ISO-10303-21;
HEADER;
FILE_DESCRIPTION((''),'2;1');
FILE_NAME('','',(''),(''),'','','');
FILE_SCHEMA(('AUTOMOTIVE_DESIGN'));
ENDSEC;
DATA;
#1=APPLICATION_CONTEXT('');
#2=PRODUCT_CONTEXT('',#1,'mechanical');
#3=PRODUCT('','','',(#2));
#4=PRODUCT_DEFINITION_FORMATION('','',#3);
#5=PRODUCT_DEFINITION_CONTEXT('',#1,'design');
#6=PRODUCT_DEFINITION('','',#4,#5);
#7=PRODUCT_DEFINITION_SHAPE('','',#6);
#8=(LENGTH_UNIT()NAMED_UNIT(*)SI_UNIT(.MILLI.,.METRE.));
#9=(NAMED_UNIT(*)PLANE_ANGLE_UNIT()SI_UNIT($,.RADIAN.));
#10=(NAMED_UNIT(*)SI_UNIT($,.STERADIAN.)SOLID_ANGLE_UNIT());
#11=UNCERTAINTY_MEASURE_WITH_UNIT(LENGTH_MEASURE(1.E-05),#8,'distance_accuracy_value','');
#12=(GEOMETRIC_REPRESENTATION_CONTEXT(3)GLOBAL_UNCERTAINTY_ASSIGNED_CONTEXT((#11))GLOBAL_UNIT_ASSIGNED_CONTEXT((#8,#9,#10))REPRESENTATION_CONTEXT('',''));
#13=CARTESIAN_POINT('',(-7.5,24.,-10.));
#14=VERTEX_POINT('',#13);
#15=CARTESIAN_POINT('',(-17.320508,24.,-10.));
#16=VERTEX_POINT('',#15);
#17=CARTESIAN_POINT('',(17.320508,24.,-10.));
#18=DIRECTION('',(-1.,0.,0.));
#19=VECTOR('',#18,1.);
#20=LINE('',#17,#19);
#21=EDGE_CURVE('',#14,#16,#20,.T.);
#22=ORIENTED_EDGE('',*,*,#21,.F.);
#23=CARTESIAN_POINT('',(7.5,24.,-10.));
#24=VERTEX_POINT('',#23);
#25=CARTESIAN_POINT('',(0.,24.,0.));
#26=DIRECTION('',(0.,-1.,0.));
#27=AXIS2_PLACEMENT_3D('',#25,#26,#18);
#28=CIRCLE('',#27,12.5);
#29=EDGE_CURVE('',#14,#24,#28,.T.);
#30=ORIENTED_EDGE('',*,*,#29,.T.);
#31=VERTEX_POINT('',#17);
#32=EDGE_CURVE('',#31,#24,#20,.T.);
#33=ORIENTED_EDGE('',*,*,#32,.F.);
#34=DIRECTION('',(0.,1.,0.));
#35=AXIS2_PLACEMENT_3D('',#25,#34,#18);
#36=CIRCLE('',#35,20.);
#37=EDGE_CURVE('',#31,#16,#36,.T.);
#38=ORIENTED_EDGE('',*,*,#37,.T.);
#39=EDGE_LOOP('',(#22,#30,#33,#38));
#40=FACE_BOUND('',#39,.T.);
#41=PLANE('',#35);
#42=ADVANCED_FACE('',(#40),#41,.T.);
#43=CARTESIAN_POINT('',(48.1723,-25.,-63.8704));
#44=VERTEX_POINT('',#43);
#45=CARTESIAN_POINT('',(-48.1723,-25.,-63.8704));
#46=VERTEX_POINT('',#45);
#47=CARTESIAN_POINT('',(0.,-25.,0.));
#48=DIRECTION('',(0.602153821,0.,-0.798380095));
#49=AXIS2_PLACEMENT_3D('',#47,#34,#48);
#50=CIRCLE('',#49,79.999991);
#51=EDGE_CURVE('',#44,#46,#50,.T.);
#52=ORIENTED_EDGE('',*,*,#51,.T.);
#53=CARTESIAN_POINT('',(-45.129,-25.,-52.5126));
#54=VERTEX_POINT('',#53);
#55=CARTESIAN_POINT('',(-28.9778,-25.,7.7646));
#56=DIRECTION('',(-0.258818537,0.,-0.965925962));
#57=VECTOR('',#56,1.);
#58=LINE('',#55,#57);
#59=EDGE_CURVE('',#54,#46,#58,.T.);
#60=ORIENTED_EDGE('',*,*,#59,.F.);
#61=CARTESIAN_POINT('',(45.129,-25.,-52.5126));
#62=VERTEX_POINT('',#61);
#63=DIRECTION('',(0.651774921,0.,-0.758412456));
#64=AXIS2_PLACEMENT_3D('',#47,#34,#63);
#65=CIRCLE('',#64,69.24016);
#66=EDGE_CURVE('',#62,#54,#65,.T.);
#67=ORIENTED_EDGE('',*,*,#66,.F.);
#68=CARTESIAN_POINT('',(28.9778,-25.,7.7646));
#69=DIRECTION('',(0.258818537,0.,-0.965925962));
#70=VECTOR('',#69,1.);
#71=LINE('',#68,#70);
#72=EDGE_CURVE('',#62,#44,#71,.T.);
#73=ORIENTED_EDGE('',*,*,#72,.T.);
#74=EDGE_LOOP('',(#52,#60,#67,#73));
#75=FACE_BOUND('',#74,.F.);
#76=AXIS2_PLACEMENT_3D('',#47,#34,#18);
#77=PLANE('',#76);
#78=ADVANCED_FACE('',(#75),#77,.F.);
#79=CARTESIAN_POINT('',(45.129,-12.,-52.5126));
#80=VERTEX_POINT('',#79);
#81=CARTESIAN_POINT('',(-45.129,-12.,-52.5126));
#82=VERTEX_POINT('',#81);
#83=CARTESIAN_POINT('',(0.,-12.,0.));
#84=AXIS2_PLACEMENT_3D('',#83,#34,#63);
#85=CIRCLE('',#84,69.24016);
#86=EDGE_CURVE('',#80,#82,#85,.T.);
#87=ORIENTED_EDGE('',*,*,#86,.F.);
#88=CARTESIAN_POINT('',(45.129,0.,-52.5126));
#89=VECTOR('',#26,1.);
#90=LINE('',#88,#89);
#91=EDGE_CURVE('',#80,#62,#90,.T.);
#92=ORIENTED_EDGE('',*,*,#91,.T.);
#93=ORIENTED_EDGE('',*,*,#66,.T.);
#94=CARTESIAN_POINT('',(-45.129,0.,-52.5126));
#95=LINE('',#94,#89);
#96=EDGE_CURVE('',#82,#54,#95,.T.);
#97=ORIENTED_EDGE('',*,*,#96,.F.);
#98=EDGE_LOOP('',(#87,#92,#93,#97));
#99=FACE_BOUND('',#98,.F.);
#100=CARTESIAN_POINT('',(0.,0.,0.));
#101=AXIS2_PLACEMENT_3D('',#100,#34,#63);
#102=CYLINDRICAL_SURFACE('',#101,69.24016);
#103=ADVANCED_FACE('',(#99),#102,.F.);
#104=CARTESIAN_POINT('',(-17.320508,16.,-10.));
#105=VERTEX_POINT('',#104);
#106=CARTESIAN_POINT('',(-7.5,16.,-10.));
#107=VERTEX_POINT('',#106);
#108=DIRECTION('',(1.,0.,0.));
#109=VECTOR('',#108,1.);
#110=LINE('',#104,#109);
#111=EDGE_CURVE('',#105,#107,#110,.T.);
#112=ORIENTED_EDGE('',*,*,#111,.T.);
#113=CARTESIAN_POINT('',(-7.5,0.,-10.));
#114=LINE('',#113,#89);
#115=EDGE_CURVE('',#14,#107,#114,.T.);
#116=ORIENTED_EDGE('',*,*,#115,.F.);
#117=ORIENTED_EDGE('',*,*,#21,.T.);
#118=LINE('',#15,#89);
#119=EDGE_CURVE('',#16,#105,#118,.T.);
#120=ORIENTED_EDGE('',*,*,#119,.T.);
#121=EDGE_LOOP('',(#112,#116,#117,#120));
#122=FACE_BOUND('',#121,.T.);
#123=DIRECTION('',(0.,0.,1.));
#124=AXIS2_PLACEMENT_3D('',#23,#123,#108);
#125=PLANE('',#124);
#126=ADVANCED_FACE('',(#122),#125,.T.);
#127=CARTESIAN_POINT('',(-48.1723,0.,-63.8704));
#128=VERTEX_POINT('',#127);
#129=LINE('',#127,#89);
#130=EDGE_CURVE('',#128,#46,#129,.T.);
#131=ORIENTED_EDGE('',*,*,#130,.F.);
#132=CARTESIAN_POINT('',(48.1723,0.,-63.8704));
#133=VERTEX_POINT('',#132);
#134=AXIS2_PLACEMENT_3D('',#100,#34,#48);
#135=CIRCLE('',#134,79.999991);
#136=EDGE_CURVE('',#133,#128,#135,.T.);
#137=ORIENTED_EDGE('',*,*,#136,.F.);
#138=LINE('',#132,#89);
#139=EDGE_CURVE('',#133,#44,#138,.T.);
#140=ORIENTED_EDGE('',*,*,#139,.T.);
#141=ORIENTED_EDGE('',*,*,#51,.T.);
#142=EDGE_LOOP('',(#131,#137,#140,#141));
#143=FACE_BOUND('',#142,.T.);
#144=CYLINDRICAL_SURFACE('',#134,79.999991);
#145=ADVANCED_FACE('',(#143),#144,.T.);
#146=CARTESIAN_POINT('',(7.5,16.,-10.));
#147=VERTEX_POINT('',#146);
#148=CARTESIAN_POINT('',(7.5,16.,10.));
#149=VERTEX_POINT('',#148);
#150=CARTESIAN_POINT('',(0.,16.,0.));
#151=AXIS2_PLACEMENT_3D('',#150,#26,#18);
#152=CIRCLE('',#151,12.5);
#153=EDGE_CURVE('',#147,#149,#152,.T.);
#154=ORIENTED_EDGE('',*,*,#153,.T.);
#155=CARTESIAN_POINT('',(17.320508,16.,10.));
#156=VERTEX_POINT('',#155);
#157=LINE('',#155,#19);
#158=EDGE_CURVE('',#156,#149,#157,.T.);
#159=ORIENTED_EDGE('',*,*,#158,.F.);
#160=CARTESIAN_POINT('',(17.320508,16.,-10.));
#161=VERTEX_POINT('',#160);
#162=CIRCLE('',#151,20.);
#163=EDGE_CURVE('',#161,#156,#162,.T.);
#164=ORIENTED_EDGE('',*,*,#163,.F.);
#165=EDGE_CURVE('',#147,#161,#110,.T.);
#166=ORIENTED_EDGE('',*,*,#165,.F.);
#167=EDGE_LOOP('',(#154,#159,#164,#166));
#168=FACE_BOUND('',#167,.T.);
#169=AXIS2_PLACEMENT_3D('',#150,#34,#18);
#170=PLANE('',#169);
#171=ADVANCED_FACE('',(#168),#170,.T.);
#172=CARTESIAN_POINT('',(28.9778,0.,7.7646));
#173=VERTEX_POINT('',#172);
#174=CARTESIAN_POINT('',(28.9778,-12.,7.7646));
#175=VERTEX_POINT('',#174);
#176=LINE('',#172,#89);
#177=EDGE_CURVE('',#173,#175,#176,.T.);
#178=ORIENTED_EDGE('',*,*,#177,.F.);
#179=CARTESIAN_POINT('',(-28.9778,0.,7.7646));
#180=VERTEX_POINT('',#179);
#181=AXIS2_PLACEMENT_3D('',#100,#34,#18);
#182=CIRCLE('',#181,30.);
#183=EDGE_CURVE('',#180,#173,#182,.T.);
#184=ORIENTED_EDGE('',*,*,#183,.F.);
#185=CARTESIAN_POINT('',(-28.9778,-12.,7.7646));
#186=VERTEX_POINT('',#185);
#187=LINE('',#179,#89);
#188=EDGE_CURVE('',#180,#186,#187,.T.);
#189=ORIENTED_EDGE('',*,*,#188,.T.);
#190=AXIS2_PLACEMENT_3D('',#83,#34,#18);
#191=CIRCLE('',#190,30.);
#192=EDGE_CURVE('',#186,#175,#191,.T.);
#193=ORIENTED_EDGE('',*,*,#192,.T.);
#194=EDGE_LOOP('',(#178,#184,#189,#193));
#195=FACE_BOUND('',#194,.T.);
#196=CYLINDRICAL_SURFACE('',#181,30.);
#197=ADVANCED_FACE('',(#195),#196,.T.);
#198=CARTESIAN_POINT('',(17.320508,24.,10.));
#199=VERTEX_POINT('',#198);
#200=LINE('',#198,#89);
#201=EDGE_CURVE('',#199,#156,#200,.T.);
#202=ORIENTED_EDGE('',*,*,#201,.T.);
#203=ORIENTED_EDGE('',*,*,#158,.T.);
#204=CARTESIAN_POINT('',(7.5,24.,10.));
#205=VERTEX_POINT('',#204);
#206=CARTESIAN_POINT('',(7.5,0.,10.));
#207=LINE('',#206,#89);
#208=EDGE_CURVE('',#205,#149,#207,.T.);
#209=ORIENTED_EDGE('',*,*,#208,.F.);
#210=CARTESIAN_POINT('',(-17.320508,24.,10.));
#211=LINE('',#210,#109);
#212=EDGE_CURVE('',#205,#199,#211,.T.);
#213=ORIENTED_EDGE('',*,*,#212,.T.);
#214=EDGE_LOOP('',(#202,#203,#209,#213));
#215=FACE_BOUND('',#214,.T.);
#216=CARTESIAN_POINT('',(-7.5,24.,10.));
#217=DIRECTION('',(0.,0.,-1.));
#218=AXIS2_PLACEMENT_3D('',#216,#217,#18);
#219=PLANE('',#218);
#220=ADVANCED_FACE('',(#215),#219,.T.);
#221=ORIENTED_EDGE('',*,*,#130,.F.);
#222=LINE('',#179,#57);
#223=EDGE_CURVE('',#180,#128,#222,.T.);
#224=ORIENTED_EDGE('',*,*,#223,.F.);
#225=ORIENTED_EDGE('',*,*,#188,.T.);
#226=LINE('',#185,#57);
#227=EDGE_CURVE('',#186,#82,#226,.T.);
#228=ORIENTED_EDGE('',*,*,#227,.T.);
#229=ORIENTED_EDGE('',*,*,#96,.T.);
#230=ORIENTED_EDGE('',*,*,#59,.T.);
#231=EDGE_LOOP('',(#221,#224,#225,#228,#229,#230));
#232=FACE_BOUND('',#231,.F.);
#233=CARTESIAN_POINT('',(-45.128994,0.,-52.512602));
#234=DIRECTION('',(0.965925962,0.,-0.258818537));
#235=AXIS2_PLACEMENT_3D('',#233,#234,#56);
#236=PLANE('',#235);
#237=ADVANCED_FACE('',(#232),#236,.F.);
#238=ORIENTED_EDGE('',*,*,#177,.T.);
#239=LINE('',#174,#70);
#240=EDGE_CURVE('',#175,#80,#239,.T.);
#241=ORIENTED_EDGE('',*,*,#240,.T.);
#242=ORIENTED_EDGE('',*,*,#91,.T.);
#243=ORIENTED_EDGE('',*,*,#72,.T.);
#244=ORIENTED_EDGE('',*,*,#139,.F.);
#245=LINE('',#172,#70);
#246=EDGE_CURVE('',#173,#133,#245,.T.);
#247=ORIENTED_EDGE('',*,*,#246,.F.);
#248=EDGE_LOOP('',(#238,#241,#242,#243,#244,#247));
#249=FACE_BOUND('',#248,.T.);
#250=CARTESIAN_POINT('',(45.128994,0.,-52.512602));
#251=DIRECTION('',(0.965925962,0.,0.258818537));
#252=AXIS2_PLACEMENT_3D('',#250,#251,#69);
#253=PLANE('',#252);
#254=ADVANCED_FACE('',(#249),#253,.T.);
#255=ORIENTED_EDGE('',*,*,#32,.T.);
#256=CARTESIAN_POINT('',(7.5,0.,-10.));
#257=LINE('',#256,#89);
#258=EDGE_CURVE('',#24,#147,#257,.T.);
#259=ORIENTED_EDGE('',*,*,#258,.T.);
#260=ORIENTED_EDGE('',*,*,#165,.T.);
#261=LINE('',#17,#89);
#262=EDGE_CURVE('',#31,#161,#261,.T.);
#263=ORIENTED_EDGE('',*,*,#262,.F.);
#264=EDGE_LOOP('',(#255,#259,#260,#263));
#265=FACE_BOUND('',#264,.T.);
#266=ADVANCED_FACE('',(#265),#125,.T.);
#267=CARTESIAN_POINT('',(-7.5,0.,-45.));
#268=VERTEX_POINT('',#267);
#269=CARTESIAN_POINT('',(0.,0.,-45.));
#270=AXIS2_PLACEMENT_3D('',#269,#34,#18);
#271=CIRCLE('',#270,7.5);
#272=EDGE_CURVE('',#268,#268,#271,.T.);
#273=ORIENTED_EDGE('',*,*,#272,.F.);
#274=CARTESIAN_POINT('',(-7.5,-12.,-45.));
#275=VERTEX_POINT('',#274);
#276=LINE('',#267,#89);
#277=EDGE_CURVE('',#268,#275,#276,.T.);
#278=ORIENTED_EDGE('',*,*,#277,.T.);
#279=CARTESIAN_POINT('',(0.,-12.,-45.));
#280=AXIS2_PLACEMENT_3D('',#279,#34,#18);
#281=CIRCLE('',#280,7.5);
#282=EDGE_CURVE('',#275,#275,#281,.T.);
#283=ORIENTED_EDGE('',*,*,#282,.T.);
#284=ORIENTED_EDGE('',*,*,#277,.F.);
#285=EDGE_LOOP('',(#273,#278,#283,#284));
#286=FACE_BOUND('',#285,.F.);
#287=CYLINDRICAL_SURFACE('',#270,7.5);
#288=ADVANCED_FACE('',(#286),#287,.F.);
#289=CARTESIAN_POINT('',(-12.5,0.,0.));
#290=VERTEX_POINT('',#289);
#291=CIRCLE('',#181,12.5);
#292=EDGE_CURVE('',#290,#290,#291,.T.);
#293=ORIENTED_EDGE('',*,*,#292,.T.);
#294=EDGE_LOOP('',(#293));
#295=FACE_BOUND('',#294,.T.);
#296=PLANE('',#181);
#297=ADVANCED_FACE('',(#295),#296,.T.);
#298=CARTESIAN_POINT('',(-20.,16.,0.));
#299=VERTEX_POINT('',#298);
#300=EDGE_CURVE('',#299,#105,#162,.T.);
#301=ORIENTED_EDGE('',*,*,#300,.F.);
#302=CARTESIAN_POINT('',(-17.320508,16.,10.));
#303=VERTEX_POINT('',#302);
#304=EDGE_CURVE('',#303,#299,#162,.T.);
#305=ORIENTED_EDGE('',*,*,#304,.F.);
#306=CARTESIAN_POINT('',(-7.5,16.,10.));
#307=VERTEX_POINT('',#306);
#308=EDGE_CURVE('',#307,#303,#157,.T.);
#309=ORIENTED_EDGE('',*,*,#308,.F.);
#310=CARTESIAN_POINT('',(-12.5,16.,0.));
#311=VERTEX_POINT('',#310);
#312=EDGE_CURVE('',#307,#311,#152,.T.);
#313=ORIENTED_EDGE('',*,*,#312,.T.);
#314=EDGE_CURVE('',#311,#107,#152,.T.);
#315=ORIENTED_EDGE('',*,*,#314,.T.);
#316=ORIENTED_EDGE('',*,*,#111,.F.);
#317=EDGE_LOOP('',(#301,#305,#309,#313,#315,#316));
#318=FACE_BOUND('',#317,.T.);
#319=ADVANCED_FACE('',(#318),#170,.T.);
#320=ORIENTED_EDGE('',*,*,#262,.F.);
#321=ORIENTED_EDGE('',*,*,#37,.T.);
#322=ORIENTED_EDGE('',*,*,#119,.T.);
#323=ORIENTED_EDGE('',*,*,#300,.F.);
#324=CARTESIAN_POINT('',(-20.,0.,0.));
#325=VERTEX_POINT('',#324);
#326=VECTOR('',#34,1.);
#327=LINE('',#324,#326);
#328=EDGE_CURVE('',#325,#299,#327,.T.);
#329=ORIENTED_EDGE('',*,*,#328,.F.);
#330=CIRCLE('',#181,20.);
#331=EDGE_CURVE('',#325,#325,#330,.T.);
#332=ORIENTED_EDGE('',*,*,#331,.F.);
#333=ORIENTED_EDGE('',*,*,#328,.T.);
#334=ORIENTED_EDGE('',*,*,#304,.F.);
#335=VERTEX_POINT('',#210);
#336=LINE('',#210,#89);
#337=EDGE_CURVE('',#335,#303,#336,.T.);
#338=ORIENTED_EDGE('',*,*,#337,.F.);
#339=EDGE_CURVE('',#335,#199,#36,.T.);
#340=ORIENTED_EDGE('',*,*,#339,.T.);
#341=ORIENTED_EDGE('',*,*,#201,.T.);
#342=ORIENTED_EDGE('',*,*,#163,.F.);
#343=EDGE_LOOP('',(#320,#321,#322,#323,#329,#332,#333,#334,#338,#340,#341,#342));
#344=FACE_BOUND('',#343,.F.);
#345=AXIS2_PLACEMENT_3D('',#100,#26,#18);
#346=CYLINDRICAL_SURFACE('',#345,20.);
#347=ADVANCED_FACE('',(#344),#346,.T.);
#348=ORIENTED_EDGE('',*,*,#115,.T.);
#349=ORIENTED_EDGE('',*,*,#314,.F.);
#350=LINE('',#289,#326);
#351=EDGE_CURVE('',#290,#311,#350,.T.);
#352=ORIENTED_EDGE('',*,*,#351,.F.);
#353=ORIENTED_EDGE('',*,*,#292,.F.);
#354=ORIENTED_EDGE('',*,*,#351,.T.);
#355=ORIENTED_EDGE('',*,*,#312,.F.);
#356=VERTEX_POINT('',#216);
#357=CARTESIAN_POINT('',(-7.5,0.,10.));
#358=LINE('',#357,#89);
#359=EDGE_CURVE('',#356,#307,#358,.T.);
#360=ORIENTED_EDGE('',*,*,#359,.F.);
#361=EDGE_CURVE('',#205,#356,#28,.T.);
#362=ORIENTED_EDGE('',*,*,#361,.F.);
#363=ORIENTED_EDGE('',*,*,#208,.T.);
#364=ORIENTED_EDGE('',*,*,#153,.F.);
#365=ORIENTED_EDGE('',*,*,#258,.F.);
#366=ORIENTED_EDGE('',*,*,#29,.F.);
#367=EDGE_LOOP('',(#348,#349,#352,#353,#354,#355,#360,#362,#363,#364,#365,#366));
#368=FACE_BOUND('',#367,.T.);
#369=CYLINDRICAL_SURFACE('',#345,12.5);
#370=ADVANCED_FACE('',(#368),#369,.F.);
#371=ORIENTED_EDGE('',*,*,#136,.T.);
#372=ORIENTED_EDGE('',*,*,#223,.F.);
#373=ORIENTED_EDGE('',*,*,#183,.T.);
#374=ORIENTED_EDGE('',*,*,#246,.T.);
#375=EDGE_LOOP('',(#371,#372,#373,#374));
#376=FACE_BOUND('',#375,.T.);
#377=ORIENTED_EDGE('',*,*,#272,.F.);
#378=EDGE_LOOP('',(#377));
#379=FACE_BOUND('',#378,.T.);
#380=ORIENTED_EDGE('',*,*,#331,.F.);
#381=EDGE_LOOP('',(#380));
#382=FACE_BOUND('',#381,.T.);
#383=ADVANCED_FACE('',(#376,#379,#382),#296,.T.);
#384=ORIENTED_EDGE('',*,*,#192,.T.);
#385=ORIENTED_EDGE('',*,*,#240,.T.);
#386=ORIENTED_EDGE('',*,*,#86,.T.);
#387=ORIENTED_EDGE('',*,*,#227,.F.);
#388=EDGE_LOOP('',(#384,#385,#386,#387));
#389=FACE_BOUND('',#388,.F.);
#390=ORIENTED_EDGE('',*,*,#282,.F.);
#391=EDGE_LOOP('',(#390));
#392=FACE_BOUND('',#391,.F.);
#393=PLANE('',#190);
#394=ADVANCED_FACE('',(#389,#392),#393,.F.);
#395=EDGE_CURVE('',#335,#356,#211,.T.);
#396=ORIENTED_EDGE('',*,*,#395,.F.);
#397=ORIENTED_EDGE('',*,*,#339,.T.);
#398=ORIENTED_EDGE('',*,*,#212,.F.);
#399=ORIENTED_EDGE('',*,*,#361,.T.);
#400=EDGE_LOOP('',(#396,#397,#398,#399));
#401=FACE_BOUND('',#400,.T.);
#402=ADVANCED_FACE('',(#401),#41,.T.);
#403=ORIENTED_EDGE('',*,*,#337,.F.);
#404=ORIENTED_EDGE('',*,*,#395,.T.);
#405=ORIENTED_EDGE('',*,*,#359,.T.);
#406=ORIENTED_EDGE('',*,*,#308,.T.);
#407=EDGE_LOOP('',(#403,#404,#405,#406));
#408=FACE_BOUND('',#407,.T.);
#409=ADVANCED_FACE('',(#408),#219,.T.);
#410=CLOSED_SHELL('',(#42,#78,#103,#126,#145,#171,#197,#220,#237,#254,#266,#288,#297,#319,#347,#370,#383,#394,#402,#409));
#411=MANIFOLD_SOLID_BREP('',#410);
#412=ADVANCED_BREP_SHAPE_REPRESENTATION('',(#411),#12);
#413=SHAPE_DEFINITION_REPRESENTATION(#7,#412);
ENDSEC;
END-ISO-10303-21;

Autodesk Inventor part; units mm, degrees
ref_plane "YZ Plane" through (0, 0, 0) normal (1, 0, 0) x (0, 1, 0)
ref_plane "XZ Plane" through (0, 0, 0) normal (0, 1, 0) x (-1, 0, 0)
ref_plane "XY Plane" through (0, 0, 0) normal (0, 0, 1) x (1, 0, 0)
sketch "Sketch1" plane through (0, 0, 0) normal (0, 1, 0) x (-1, 0, 0)
  circle A0 centre (0, 0) radius 30
  circle A1 centre (0, 0) radius 20
  circle A2 centre (0, 0) radius 12.5
  line L0 (0, 0) -> (0, -45) construction
  circle A3 centre (0, -45) radius 7.5
  line L1 (-21, 10) -> (21, 10)
  line L2 (21, 10) -> (21, -10)
  line L3 (21, -10) -> (-21, -10)
  line L4 (-21, -10) -> (-21, 10)
  line L5 (-21, 10) -> (21, -10) construction
  line L6 (21, 10) -> (-21, -10) construction
  line L7 (28.9778, 7.7646) -> (48.1723, -63.8704)
  line L8 (-28.9778, 7.7646) -> (-48.1723, -63.8704)
  arc A4 (-48.1723, -63.8704) -> (48.1723, -63.8704) centre (0, 0) ccw
  arc A5 (-45.129, -52.5126) -> (45.129, -52.5126) centre (0, 0) ccw
  dimension "d0" = 60
  dimension "d1" = 40
  dimension "d2" = 25
  dimension "d5" = 45
  dimension "d6" = 15
  dimension "d7" = 42
  dimension "d8" = 20
  dimension "d11" = 80
  dimension "d12" = 30
  dimension "d13" = 15
  dimension "d19" = 69.2401
extrude "Extrusion1" add sketch "Sketch1" along normal blind 24 contours A1 L3 A2 L1 | L1 A2 A1 | A1 L3 A2 | L1 A2 L3 A1
extrude "Extrusion2" cut sketch "Sketch1" against normal blind 8 from surface at 24 contours A0 | A1 L3 A2 L1 | A1 L1 L2 L3 | L1 A2 L3 A1 | A1 L3 L4 L1 | A2 L3 L1
extrude "Extrusion3" add sketch "Sketch1" against normal blind 25 contours L7 A4 L8 A5
extrude "Extrusion4" add sketch "Sketch1" against normal blind 12 contours A0 | A0 L7 A5 L8 | A1 L3 A2 L1 | A1 L1 L2 L3 | L1 A2 A1 | A1 L3 A2 | L1 A2 L3 A1 | A1 L3 L4 L1 | L1 A2 | A2 L3 L1 | A2 L3
properties part number "C"
